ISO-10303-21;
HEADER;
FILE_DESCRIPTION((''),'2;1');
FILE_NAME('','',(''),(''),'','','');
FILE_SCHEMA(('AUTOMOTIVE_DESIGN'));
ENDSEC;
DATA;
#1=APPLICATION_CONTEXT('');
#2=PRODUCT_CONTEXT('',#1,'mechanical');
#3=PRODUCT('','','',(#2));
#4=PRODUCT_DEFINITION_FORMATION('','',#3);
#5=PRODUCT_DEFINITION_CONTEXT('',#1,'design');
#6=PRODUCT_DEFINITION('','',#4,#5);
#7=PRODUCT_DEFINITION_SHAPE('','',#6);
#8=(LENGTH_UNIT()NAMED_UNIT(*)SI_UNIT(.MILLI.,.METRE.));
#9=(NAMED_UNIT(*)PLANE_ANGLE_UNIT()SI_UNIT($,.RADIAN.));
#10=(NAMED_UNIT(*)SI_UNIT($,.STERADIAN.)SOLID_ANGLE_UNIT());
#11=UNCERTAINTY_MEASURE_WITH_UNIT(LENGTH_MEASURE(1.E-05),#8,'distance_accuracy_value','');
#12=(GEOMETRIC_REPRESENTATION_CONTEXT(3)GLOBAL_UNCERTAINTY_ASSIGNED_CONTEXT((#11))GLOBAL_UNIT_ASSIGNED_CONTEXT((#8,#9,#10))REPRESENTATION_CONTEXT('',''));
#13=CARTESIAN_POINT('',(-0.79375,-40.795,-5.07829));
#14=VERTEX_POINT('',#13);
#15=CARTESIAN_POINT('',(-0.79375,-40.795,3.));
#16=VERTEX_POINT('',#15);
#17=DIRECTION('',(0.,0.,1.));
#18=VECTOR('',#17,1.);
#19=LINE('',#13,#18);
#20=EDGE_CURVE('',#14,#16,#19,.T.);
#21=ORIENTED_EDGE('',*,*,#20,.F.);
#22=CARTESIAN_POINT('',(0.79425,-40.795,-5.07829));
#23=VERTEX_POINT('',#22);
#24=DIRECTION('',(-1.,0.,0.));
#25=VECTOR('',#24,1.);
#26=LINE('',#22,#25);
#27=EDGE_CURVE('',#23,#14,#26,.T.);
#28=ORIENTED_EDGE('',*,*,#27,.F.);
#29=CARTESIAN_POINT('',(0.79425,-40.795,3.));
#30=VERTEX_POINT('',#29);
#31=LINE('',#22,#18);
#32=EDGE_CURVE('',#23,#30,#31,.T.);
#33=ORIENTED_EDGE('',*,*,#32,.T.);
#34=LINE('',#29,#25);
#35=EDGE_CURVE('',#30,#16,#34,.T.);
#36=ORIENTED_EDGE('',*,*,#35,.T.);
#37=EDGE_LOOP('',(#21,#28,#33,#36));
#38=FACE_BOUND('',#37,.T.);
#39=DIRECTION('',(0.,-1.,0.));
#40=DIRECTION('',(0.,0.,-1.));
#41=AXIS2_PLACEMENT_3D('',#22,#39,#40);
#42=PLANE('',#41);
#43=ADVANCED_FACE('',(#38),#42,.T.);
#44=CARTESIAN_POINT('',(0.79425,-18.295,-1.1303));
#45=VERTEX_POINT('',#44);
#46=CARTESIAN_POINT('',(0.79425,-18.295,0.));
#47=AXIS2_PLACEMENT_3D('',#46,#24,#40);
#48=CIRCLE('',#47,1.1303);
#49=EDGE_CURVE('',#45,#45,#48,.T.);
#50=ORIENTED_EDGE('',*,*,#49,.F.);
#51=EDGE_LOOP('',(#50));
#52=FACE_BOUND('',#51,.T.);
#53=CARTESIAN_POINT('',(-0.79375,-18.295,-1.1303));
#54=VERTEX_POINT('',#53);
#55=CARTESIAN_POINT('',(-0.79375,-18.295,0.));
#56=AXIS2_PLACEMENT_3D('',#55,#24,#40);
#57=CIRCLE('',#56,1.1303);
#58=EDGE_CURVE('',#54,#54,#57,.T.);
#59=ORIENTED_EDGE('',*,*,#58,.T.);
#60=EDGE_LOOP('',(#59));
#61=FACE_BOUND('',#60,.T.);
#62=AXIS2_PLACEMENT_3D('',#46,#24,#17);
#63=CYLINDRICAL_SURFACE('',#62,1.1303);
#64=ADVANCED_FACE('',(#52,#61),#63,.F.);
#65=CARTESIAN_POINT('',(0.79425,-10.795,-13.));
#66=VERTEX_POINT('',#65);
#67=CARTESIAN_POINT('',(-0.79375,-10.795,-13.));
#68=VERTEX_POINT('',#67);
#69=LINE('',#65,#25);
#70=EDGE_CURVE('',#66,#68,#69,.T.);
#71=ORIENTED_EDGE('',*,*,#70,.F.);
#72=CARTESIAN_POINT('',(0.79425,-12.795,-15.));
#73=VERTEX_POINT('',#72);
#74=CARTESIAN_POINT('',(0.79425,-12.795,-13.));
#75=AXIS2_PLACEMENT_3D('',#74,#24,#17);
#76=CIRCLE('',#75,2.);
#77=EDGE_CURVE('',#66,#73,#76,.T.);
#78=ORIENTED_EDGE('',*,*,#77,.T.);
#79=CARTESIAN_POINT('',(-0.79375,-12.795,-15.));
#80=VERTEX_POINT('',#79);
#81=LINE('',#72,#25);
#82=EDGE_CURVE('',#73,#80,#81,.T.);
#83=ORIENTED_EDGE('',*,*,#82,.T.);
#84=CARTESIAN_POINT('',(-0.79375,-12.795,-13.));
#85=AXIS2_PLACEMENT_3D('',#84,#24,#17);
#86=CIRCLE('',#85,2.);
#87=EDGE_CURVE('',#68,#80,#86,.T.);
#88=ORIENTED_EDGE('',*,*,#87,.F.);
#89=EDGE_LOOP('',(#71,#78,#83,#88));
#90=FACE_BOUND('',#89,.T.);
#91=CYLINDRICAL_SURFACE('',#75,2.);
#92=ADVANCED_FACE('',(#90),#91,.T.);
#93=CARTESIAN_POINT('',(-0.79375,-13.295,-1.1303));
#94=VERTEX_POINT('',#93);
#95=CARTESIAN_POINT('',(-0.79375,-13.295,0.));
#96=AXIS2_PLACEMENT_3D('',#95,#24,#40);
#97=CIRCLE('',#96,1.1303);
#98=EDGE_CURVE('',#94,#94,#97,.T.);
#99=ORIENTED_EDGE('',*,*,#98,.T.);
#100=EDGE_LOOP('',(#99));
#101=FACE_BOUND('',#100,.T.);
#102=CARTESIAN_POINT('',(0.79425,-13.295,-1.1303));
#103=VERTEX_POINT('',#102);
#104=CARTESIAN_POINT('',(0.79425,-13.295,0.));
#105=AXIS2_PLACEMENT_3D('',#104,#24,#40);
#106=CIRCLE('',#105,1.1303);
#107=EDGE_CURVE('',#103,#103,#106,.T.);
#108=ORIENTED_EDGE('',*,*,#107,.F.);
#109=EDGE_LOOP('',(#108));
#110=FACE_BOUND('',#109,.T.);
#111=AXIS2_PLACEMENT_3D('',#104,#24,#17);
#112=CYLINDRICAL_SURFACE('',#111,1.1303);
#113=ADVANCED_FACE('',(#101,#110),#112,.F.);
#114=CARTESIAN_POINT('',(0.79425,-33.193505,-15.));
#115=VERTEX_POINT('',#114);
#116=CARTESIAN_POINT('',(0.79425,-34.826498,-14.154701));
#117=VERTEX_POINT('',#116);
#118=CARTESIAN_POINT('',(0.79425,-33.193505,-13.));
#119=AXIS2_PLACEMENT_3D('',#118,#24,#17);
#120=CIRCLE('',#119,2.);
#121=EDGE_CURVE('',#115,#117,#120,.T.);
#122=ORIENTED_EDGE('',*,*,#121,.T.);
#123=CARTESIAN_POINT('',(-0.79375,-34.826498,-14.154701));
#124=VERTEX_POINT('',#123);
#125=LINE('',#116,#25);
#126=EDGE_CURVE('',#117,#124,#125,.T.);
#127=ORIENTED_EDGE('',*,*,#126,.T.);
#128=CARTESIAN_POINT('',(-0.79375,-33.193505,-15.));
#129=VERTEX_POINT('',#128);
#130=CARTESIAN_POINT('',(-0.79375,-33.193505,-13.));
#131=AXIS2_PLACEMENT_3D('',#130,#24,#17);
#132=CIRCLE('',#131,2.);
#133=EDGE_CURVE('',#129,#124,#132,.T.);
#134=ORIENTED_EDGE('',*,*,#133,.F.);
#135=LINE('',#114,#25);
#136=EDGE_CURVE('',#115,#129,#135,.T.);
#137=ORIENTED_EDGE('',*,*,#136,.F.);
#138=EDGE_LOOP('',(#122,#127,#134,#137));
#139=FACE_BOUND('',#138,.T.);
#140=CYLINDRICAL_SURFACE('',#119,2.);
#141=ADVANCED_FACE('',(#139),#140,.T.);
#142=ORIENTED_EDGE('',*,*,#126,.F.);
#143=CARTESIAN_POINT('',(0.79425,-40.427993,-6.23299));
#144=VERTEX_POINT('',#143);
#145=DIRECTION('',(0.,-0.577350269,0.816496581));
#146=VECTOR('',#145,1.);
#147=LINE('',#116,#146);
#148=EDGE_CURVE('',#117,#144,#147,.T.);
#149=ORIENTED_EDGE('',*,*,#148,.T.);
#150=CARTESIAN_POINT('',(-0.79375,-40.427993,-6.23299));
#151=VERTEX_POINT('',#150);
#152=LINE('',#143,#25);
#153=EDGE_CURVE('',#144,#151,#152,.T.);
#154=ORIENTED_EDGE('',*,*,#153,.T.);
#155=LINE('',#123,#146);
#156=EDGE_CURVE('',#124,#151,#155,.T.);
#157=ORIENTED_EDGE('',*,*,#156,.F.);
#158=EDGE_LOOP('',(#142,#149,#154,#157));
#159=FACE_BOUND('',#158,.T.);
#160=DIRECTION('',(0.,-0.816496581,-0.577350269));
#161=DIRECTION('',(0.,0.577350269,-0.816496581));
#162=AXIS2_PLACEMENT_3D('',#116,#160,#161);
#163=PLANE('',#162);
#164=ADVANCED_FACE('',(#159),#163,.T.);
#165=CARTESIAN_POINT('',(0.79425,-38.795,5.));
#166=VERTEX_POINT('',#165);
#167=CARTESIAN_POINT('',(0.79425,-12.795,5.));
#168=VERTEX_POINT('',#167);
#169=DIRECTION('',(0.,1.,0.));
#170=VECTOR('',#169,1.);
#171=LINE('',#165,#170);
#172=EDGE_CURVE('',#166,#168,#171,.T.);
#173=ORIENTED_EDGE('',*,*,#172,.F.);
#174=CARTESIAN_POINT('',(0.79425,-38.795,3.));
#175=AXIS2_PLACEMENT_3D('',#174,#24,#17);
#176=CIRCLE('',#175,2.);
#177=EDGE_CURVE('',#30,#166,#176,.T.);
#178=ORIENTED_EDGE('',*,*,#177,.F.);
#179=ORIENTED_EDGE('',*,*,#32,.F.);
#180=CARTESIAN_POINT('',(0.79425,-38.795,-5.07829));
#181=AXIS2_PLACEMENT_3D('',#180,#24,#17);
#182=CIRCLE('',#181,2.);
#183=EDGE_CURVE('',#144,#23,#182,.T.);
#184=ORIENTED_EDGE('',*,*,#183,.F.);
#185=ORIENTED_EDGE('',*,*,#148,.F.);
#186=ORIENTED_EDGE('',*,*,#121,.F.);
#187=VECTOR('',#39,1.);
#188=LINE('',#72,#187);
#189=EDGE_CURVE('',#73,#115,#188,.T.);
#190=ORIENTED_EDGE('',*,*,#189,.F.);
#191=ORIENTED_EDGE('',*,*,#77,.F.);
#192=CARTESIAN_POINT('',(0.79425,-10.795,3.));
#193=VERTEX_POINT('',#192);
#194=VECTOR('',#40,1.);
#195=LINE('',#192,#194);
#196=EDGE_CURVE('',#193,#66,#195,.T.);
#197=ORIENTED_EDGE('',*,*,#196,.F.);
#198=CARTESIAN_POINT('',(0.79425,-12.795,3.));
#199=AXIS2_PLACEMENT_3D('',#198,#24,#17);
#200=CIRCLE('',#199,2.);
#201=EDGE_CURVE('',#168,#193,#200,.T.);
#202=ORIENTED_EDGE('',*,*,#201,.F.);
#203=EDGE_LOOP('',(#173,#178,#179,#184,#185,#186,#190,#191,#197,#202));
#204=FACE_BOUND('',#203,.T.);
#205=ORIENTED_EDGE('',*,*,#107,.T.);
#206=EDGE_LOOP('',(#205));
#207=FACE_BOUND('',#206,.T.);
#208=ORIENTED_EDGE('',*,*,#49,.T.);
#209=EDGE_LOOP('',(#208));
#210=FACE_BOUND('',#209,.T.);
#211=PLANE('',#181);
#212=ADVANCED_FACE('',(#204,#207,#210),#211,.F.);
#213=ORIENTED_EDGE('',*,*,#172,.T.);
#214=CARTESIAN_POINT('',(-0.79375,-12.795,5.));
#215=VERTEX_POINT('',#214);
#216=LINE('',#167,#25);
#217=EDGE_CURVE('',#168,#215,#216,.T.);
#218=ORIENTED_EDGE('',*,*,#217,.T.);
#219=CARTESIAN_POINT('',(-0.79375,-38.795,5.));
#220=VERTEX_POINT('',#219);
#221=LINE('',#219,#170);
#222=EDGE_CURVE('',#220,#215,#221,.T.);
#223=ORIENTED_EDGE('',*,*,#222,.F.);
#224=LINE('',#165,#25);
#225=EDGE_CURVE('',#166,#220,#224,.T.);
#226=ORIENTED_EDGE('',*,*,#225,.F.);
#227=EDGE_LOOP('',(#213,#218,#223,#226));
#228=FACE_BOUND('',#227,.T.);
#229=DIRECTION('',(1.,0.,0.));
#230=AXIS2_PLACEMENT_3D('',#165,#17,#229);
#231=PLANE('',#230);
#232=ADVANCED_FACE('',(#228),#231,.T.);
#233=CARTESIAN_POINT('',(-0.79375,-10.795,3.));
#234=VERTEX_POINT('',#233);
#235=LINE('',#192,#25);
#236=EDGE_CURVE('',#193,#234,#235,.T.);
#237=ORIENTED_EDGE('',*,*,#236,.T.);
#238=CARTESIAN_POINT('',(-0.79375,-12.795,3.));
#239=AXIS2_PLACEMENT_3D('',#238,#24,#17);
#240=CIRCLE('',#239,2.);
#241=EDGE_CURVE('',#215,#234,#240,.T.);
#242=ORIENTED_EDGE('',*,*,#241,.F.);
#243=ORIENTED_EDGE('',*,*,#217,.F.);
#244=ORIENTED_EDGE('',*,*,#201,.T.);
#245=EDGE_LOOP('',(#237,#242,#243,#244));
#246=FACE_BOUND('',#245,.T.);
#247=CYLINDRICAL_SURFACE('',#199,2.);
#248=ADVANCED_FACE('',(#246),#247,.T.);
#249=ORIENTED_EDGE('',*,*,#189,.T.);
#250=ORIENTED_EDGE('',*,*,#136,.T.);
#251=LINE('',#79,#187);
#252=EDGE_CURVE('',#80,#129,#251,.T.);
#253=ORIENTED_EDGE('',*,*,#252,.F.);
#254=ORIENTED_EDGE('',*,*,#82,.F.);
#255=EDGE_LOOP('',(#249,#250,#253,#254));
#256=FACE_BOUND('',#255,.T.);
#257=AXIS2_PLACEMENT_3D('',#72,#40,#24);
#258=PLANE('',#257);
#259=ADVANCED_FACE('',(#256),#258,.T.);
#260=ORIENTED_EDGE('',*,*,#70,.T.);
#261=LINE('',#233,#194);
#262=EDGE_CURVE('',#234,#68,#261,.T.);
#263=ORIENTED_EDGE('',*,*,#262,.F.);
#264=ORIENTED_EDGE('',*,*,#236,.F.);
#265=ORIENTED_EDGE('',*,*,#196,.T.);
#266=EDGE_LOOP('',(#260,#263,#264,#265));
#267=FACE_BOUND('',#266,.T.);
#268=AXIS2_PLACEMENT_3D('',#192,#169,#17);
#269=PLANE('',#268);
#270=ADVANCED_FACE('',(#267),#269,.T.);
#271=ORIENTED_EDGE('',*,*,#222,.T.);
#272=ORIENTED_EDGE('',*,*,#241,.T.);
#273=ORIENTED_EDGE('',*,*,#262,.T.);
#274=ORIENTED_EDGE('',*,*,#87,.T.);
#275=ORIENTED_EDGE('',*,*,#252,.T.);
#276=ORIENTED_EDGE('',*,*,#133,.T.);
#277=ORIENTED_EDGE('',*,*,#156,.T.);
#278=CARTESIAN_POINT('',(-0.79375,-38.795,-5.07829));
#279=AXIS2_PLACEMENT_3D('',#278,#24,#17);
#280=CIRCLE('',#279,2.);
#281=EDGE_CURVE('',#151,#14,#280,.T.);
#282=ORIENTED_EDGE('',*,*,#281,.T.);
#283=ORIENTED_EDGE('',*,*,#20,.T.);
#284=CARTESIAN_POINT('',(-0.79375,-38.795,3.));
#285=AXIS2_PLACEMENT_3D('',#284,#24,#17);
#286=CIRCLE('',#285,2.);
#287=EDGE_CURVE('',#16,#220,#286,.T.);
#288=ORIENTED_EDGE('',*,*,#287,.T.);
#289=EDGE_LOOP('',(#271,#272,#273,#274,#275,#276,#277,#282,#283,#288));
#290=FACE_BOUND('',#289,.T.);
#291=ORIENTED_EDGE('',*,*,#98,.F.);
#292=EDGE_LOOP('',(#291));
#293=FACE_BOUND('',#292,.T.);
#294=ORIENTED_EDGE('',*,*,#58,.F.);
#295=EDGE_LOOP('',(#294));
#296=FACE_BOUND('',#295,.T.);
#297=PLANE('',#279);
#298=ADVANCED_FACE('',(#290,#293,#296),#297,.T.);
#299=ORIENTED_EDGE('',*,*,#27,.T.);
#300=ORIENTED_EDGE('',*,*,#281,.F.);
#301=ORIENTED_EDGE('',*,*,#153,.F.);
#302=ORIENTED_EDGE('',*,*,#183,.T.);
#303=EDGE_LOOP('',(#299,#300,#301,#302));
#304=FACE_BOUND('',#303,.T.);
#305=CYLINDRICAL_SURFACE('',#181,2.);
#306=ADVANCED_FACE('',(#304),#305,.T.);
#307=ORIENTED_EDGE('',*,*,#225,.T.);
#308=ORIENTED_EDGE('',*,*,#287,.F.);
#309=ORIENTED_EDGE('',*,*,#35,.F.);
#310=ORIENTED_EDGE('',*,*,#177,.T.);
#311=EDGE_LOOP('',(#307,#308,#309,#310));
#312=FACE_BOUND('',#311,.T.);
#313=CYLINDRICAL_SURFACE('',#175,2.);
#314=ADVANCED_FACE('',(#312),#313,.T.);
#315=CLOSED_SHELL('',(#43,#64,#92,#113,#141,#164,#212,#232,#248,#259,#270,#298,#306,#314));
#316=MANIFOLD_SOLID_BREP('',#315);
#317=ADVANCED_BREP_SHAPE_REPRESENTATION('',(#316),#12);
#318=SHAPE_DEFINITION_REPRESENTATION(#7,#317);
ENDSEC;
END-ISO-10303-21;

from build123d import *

# Parameters (mm, degrees)
SKETCH_1_R      = 1.1303
EXTRUDE_1_DEPTH = 1.588


with BuildPart() as part:
    # 草图1 → 凸台-拉伸1 (new body)
    with BuildSketch(Plane(origin=(-0.79375, 0, 0), x_dir=(0, -1, 0), z_dir=(-1, 0, 0))):
        with BuildLine():
            Line((40.795, -5.078289511), (40.795, 3))
            ThreePointArc((40.795, 3), (40.209213562, 4.414213562), (38.795, 5))
            Line((38.795, 5), (12.795, 5))
            ThreePointArc((12.795, 5), (11.380786438, 4.414213562), (10.795, 3))
            Line((10.795, 3), (10.795, -13))
            ThreePointArc((10.795, -13), (11.380786438, -14.414213562), (12.795, -15))
            Line((12.795, -15), (33.193504795, -15))
            ThreePointArc((33.193504795, -15), (34.112906481, -14.776147668), (34.826497957, -14.154700538))
            Line((34.826497957, -14.154700538), (40.427993162, -6.232990049))
            ThreePointArc((40.427993162, -6.232990049), (40.701041228, -5.684100404), (40.795, -5.078289511))
        make_face()
        with Locations((18.295, 0)):
            Circle(SKETCH_1_R, mode=Mode.SUBTRACT)
        with Locations((13.295, 0)):
            Circle(SKETCH_1_R, mode=Mode.SUBTRACT)
    extrude(amount=-EXTRUDE_1_DEPTH)


solid = part.part
